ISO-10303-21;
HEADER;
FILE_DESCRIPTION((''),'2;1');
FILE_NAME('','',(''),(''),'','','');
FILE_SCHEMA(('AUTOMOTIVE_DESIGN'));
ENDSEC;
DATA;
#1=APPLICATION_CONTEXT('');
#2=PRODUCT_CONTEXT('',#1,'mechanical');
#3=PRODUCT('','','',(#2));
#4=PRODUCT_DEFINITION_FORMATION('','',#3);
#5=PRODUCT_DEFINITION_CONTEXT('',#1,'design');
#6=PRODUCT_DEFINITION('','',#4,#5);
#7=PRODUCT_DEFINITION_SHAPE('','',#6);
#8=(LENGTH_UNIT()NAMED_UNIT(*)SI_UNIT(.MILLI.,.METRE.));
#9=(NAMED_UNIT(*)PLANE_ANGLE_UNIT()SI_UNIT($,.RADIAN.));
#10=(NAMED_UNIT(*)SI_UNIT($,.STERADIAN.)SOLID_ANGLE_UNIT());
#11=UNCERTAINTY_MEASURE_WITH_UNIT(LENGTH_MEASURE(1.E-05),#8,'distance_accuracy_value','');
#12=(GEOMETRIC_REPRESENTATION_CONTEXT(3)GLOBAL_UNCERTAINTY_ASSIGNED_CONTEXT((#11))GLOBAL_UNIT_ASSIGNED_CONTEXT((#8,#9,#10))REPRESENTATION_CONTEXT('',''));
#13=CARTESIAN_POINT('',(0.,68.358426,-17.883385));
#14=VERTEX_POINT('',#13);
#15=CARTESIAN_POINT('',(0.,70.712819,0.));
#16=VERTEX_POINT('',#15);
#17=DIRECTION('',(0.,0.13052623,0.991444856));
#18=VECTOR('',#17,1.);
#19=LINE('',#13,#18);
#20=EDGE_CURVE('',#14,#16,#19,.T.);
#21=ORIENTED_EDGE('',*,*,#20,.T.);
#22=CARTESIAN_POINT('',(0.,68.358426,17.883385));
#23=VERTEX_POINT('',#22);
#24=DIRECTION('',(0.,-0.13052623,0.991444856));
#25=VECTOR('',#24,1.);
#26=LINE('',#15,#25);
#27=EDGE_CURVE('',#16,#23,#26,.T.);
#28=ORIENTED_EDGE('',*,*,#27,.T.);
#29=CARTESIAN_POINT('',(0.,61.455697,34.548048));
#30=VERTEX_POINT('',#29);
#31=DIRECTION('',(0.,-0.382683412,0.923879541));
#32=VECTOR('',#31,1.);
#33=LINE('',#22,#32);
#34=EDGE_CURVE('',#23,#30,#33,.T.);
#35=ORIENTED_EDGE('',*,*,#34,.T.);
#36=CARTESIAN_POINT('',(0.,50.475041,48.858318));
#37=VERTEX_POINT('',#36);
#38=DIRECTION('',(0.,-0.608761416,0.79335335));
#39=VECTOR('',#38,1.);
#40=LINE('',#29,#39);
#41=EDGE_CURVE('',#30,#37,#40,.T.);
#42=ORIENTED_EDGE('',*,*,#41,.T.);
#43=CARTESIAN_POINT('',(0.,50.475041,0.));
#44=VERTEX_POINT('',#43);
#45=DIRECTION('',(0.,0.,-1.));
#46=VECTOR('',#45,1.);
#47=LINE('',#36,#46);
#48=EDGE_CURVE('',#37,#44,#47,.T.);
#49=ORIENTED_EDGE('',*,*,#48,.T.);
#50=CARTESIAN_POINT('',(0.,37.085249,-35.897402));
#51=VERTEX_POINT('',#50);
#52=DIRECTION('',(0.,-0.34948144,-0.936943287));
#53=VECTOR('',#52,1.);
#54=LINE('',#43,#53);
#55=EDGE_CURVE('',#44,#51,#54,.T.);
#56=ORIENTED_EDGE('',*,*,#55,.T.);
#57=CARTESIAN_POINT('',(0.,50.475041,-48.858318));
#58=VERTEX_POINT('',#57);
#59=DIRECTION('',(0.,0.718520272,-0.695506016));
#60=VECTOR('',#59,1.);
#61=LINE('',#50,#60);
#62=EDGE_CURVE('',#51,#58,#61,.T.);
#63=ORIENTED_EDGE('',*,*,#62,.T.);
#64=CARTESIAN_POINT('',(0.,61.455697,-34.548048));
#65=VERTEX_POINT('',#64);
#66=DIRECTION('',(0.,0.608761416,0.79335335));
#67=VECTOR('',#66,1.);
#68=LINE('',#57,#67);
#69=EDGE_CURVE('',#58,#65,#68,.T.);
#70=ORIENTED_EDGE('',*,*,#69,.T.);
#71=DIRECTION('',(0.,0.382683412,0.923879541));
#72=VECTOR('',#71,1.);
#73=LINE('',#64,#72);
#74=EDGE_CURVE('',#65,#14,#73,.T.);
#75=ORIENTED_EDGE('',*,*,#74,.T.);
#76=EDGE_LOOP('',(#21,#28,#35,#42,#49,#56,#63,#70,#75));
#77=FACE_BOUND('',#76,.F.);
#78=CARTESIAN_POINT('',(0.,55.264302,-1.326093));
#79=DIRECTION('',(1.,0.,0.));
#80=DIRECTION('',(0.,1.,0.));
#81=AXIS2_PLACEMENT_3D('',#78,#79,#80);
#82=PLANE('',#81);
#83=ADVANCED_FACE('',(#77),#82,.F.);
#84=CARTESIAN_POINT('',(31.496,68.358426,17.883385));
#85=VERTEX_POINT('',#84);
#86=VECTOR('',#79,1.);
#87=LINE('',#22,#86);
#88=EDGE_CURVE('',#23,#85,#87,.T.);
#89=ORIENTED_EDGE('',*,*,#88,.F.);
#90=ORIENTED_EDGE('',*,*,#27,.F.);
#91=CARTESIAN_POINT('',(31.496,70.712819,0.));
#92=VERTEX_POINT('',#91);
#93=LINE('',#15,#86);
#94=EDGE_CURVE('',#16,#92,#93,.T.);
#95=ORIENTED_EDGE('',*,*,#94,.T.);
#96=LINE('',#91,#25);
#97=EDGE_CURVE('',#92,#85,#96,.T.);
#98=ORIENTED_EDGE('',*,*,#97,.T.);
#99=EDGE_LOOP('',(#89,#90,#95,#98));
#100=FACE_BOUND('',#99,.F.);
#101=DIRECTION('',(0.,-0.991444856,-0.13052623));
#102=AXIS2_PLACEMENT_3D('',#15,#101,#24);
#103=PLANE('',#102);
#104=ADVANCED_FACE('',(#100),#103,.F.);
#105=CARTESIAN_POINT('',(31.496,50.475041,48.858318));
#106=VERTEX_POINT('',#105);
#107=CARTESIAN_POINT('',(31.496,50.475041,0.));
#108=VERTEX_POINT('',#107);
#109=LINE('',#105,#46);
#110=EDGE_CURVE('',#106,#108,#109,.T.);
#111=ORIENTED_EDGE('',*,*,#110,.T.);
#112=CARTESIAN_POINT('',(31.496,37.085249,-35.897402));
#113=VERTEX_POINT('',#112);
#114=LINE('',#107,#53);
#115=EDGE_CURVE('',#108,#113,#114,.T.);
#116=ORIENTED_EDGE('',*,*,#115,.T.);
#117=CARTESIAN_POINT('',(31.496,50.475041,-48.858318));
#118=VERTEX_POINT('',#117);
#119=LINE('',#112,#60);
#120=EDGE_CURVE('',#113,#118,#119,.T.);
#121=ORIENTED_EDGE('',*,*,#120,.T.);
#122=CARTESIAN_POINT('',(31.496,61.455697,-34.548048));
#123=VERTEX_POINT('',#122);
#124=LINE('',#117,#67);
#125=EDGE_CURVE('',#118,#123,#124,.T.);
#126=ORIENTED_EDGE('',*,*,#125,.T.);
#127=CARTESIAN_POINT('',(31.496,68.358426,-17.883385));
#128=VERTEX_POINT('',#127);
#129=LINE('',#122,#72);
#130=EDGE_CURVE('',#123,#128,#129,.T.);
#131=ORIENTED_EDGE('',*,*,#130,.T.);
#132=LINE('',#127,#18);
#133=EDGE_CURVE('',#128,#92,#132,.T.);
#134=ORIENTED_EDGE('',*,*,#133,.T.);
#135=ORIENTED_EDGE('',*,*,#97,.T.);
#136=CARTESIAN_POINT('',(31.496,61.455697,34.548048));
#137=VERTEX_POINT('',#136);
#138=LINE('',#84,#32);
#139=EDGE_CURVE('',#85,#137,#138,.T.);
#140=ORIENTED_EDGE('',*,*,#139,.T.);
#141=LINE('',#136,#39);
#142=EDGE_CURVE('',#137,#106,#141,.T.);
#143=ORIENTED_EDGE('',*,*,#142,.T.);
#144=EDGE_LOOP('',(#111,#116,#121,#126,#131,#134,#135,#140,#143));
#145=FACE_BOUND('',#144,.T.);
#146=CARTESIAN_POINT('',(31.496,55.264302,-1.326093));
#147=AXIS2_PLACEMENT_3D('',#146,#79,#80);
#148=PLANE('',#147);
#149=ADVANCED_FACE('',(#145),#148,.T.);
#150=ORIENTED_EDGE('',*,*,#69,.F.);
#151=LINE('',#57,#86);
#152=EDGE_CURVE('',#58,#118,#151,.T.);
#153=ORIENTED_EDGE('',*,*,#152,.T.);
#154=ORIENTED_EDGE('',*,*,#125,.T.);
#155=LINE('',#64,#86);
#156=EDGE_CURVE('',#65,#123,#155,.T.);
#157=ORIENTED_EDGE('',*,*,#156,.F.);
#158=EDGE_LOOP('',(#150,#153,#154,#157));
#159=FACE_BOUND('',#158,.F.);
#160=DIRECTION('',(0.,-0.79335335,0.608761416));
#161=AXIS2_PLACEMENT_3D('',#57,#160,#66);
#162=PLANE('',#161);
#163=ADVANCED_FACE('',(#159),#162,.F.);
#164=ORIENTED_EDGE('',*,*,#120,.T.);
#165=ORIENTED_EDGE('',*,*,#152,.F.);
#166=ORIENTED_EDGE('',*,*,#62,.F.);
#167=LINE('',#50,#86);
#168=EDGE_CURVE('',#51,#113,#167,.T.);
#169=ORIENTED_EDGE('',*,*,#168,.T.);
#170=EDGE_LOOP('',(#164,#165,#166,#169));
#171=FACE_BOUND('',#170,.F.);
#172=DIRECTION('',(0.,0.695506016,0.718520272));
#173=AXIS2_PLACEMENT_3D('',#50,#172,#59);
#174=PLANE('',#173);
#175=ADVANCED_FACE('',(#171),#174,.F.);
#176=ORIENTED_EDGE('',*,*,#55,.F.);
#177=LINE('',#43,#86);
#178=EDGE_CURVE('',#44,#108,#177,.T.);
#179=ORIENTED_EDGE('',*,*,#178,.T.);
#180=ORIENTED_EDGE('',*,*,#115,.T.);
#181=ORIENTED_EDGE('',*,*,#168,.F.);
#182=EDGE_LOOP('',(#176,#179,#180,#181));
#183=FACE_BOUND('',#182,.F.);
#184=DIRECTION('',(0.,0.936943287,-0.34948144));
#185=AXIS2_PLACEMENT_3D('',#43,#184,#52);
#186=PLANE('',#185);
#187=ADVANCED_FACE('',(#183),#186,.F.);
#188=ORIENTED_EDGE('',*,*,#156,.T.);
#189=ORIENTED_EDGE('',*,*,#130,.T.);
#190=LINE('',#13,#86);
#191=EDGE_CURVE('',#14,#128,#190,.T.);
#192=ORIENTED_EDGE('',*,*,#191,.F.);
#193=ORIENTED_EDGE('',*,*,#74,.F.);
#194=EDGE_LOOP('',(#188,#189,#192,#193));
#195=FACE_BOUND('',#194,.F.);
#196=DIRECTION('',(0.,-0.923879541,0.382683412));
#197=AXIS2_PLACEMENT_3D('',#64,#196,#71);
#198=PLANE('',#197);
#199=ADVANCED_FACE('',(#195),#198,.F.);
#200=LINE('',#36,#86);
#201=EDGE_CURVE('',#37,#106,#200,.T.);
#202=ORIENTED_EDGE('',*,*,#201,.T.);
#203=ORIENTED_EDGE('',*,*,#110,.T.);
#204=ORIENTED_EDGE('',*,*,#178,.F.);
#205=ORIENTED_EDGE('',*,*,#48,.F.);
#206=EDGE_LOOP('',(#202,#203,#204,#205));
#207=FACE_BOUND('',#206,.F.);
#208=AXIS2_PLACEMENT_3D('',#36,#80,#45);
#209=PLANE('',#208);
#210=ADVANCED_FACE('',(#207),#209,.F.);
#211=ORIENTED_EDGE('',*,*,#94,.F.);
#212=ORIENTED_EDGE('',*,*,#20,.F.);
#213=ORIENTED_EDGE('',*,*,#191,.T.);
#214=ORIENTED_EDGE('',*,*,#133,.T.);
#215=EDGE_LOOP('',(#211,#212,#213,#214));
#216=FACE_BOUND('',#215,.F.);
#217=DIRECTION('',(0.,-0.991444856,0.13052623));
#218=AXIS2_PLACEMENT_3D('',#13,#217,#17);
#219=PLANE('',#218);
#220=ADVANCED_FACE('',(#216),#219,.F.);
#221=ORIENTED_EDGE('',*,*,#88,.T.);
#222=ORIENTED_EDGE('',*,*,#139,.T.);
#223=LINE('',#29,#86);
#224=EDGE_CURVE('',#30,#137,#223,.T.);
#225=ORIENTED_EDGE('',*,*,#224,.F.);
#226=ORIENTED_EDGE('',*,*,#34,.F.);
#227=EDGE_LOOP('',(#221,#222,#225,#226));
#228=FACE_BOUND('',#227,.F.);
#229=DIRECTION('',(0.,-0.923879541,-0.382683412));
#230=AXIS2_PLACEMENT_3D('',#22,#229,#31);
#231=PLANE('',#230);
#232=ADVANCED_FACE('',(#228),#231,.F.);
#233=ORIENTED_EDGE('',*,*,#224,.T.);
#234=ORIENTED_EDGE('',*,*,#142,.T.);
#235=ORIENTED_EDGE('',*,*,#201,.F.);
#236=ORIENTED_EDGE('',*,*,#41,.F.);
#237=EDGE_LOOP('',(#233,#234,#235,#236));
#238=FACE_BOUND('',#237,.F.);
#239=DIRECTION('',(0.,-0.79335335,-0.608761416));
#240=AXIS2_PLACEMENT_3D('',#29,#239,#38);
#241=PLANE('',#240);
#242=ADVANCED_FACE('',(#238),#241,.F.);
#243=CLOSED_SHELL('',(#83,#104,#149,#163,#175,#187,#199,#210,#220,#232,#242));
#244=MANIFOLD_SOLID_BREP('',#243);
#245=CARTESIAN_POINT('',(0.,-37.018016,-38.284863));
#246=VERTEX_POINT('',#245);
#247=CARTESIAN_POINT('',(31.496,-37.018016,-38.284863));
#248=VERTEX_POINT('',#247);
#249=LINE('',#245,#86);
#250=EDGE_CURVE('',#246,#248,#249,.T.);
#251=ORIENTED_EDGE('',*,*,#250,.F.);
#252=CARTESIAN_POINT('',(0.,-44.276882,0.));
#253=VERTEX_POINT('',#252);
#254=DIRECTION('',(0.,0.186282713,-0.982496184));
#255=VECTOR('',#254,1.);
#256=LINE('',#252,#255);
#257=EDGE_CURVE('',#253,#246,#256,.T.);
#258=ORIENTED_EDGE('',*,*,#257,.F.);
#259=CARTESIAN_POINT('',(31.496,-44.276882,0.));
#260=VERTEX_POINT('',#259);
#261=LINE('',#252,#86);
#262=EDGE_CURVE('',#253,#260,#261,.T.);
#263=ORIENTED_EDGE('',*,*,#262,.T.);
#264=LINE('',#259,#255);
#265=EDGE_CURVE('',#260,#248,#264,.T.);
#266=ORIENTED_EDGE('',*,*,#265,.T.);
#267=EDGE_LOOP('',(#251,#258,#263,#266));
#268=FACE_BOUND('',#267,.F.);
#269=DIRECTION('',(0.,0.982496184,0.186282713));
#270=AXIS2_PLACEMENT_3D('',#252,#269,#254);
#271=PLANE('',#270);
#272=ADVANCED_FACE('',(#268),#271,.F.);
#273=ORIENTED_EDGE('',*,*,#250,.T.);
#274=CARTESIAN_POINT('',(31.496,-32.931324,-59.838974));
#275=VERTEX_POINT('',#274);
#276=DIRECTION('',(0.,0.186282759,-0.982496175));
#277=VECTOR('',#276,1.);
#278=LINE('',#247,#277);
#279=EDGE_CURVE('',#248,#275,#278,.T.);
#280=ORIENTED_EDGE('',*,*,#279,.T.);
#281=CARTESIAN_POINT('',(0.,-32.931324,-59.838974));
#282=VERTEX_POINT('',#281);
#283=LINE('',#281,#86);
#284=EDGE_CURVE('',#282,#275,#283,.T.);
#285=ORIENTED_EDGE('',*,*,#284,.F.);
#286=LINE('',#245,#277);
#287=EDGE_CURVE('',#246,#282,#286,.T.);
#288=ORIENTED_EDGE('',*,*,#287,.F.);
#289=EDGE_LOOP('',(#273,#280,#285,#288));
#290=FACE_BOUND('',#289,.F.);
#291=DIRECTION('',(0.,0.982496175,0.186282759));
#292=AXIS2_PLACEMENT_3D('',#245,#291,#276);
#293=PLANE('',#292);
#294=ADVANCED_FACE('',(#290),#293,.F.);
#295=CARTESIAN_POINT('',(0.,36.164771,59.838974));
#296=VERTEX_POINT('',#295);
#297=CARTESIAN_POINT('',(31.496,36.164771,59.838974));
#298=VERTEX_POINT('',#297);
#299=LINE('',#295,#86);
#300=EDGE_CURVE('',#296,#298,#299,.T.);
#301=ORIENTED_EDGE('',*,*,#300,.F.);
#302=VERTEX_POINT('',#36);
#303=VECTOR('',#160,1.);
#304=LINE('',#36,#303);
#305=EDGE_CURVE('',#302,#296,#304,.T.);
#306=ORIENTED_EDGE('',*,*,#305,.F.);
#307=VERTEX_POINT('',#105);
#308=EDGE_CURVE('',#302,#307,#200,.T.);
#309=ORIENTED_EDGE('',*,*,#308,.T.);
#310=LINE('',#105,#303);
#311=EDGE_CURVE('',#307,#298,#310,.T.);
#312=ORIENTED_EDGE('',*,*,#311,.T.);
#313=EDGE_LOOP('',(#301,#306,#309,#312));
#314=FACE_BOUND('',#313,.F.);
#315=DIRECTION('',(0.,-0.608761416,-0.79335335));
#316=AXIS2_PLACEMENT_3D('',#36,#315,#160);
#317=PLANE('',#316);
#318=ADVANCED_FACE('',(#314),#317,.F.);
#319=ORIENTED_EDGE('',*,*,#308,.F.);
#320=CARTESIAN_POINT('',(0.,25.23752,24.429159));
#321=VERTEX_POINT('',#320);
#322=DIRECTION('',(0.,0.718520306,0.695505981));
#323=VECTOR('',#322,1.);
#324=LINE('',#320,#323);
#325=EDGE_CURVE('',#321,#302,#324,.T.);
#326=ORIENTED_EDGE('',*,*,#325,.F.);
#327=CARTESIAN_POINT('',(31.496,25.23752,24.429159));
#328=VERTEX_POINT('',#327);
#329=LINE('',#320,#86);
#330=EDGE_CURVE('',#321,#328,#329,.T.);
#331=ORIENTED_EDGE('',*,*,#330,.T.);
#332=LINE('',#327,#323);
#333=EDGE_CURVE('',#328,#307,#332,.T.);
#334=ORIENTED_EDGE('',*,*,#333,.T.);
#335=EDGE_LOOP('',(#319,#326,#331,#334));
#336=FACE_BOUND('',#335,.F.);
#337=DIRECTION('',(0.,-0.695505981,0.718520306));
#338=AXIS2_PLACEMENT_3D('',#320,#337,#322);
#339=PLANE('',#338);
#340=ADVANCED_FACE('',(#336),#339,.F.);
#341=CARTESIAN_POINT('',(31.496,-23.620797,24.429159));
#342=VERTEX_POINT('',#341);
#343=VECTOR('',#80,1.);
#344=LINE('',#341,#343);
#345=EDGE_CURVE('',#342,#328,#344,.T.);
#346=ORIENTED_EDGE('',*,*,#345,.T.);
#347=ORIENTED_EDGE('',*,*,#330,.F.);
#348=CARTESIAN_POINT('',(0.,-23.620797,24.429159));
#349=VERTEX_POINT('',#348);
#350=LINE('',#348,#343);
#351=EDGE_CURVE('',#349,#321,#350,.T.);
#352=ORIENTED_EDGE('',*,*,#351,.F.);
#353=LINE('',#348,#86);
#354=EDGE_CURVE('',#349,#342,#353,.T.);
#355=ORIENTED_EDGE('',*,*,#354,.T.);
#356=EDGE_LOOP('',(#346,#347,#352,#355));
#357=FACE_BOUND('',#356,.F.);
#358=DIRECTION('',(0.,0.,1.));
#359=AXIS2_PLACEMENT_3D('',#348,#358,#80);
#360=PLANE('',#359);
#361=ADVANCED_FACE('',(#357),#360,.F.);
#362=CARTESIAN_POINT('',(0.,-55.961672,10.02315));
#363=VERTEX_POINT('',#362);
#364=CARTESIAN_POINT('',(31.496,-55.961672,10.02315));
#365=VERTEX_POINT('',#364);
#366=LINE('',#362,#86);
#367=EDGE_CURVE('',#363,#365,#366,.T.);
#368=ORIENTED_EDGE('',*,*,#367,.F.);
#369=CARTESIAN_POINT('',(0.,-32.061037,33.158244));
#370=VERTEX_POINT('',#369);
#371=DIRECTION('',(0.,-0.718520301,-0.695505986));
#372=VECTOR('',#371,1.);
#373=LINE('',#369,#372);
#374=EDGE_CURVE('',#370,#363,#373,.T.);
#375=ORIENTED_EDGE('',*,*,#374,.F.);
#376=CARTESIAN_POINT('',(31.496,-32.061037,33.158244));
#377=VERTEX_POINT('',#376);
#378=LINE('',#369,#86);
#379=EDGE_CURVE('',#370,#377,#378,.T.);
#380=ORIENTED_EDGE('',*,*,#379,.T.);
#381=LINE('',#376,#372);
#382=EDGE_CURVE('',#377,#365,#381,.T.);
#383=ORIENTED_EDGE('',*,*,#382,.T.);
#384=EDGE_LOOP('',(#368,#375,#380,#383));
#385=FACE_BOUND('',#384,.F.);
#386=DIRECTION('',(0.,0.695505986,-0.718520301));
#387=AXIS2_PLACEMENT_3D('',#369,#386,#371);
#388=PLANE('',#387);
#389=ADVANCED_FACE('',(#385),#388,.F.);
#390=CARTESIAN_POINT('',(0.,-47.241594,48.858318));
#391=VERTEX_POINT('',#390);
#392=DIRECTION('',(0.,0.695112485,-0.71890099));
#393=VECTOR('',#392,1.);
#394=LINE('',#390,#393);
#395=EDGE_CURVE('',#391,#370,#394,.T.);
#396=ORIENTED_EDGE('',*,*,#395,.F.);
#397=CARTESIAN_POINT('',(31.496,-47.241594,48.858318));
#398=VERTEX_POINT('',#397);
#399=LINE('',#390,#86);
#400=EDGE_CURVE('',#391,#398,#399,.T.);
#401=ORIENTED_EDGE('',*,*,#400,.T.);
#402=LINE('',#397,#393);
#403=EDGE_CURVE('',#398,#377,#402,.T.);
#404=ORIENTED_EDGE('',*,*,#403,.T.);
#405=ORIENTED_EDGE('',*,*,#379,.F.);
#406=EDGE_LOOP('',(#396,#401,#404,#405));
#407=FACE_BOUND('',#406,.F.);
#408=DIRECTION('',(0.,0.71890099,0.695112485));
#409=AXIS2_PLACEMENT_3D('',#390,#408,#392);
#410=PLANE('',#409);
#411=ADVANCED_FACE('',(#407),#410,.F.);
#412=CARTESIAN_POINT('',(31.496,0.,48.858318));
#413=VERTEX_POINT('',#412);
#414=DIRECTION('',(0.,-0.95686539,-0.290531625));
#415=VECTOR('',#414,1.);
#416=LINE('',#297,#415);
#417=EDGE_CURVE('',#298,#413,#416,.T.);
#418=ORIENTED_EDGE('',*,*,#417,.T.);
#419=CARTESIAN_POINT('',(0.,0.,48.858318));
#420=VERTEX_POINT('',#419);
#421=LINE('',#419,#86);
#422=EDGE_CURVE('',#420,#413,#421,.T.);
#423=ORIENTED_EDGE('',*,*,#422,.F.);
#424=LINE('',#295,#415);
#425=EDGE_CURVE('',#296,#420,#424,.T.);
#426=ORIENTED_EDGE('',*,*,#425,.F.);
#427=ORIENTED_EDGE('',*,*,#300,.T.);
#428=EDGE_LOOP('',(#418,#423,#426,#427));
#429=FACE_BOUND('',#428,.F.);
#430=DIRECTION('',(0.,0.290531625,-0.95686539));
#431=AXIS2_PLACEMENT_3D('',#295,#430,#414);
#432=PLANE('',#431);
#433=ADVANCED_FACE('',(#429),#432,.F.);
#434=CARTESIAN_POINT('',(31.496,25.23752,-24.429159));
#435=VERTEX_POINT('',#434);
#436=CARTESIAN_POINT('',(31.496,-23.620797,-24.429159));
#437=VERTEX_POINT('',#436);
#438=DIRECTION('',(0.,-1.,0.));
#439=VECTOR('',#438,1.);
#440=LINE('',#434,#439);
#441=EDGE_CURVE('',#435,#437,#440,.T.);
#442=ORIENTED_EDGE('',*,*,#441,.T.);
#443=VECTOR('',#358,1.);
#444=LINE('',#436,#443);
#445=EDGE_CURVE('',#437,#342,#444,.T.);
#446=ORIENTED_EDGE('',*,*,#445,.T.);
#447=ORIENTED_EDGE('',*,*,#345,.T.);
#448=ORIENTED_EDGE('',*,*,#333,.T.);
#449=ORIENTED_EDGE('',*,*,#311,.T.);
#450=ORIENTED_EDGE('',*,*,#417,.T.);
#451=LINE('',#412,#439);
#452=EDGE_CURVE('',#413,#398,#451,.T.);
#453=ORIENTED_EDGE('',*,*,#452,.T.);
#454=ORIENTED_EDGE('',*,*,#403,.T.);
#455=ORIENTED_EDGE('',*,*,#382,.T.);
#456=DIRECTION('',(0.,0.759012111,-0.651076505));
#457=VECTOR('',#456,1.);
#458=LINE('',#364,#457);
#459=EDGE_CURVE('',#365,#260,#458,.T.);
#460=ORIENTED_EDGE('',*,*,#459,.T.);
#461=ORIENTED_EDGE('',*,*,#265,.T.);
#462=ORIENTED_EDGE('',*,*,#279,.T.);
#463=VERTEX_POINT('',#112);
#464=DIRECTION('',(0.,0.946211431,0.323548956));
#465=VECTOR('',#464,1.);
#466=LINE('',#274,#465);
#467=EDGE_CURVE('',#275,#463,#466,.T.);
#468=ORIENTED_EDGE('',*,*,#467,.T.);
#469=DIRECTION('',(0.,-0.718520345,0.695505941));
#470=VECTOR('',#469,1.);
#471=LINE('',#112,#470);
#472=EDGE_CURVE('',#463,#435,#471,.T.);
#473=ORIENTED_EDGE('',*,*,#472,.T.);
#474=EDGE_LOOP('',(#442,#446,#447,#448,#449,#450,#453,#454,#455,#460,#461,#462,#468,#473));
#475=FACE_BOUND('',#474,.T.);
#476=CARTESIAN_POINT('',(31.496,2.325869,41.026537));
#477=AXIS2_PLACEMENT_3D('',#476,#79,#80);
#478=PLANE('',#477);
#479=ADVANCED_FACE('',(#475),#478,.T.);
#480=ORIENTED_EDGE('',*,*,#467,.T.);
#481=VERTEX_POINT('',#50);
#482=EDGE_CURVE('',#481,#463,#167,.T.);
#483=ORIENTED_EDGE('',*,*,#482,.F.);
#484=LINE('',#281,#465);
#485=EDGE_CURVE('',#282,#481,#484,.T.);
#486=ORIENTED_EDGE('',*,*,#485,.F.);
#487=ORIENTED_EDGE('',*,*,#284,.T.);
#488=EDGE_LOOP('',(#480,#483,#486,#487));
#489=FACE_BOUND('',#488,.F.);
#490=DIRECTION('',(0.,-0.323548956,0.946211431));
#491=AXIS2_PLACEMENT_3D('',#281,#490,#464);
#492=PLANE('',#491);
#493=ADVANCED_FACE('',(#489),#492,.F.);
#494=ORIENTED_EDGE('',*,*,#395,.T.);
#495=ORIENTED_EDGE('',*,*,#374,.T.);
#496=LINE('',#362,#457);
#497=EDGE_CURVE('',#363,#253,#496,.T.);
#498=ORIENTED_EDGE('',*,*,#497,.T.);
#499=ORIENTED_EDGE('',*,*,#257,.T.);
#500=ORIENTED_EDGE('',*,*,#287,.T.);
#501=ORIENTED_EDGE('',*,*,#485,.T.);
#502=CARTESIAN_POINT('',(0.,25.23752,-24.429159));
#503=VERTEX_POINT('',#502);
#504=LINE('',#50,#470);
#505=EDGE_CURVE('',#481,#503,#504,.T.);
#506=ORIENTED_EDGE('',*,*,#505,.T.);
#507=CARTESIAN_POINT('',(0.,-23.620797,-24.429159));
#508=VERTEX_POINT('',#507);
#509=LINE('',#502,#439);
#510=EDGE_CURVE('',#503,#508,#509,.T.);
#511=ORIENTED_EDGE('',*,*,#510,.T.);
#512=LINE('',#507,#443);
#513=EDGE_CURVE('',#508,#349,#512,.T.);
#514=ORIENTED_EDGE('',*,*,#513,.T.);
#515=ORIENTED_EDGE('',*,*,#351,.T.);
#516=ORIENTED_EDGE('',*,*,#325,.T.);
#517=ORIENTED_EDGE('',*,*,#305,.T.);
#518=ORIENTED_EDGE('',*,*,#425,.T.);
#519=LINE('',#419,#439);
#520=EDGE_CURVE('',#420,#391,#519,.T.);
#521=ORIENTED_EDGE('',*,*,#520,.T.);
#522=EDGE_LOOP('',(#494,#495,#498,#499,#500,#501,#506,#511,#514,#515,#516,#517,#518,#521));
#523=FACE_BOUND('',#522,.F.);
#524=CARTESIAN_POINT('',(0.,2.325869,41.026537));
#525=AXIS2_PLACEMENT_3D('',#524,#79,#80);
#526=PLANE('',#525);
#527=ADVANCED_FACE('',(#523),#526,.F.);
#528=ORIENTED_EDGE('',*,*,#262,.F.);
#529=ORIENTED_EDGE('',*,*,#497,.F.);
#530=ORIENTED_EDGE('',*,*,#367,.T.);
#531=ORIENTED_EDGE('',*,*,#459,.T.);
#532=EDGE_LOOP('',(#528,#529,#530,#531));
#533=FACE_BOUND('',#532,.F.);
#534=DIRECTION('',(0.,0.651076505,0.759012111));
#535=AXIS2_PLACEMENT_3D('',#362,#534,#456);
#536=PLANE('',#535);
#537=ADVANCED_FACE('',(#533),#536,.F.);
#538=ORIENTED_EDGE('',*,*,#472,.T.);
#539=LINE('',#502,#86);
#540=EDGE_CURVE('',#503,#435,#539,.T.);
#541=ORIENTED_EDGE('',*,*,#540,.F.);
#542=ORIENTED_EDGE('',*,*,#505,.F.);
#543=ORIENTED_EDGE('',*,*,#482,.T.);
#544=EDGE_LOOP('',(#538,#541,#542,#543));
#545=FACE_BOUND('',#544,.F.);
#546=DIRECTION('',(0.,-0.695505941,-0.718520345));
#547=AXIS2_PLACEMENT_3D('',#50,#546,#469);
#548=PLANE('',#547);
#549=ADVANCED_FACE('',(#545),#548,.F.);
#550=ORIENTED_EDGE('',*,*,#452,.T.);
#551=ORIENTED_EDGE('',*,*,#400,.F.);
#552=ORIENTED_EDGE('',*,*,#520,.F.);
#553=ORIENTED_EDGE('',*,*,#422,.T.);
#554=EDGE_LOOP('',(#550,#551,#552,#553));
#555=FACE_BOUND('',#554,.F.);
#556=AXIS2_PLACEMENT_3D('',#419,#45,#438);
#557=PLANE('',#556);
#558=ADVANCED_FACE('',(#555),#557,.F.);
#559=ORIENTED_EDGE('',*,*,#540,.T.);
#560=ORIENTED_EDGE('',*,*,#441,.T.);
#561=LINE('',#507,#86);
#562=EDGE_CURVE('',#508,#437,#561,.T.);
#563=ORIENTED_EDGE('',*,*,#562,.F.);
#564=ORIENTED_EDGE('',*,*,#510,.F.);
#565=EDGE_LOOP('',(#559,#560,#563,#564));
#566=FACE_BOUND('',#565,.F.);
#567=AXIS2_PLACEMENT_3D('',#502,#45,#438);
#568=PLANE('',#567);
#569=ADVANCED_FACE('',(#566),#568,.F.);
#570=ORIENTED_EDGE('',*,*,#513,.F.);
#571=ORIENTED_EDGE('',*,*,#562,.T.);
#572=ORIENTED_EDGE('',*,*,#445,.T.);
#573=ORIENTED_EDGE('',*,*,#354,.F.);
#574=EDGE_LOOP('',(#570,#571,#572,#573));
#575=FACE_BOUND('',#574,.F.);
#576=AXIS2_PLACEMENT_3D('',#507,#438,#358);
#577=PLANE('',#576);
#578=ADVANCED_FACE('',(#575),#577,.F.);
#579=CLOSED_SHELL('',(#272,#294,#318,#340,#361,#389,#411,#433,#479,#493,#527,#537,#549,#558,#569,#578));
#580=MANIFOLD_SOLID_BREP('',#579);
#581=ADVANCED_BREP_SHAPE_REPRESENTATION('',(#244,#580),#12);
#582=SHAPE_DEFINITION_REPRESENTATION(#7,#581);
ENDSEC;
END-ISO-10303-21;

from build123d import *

# Parameters (mm, degrees)
F1_DEPTH = 31.496


with BuildPart() as f1:
    # F0 (on Right) → F1 (new body)
    with BuildSketch(Plane.YZ):
        Polygon((0, 48.858318), (-47.241594, 48.858318), (-32.061037, 33.158244), (-23.620797, 24.429159), (25.23752, 24.429159), (50.475041, 48.858318), (36.164771, 59.838974), align=None)
        Polygon((-23.620797, -24.429159), (-37.018016, -38.284863), (-32.931324, -59.838974), (37.085249, -35.897402), (25.23752, -24.429159), align=None)
        Polygon((-32.061037, 33.158244), (-55.961672, 10.02315), (-44.276882, 0), (-37.018016, -38.284863), (-23.620797, -24.429159), (-23.620797, 24.429159), align=None)
        Polygon((50.475041, 0), (37.085249, -35.897402), (50.475041, -48.858318), (61.455697, -34.548048), (68.358426, -17.883385), (70.712819, 0), (68.358426, 17.883385), (61.455697, 34.548048), (50.475041, 48.858318), align=None)
    extrude(amount=F1_DEPTH)


solid = f1.part
